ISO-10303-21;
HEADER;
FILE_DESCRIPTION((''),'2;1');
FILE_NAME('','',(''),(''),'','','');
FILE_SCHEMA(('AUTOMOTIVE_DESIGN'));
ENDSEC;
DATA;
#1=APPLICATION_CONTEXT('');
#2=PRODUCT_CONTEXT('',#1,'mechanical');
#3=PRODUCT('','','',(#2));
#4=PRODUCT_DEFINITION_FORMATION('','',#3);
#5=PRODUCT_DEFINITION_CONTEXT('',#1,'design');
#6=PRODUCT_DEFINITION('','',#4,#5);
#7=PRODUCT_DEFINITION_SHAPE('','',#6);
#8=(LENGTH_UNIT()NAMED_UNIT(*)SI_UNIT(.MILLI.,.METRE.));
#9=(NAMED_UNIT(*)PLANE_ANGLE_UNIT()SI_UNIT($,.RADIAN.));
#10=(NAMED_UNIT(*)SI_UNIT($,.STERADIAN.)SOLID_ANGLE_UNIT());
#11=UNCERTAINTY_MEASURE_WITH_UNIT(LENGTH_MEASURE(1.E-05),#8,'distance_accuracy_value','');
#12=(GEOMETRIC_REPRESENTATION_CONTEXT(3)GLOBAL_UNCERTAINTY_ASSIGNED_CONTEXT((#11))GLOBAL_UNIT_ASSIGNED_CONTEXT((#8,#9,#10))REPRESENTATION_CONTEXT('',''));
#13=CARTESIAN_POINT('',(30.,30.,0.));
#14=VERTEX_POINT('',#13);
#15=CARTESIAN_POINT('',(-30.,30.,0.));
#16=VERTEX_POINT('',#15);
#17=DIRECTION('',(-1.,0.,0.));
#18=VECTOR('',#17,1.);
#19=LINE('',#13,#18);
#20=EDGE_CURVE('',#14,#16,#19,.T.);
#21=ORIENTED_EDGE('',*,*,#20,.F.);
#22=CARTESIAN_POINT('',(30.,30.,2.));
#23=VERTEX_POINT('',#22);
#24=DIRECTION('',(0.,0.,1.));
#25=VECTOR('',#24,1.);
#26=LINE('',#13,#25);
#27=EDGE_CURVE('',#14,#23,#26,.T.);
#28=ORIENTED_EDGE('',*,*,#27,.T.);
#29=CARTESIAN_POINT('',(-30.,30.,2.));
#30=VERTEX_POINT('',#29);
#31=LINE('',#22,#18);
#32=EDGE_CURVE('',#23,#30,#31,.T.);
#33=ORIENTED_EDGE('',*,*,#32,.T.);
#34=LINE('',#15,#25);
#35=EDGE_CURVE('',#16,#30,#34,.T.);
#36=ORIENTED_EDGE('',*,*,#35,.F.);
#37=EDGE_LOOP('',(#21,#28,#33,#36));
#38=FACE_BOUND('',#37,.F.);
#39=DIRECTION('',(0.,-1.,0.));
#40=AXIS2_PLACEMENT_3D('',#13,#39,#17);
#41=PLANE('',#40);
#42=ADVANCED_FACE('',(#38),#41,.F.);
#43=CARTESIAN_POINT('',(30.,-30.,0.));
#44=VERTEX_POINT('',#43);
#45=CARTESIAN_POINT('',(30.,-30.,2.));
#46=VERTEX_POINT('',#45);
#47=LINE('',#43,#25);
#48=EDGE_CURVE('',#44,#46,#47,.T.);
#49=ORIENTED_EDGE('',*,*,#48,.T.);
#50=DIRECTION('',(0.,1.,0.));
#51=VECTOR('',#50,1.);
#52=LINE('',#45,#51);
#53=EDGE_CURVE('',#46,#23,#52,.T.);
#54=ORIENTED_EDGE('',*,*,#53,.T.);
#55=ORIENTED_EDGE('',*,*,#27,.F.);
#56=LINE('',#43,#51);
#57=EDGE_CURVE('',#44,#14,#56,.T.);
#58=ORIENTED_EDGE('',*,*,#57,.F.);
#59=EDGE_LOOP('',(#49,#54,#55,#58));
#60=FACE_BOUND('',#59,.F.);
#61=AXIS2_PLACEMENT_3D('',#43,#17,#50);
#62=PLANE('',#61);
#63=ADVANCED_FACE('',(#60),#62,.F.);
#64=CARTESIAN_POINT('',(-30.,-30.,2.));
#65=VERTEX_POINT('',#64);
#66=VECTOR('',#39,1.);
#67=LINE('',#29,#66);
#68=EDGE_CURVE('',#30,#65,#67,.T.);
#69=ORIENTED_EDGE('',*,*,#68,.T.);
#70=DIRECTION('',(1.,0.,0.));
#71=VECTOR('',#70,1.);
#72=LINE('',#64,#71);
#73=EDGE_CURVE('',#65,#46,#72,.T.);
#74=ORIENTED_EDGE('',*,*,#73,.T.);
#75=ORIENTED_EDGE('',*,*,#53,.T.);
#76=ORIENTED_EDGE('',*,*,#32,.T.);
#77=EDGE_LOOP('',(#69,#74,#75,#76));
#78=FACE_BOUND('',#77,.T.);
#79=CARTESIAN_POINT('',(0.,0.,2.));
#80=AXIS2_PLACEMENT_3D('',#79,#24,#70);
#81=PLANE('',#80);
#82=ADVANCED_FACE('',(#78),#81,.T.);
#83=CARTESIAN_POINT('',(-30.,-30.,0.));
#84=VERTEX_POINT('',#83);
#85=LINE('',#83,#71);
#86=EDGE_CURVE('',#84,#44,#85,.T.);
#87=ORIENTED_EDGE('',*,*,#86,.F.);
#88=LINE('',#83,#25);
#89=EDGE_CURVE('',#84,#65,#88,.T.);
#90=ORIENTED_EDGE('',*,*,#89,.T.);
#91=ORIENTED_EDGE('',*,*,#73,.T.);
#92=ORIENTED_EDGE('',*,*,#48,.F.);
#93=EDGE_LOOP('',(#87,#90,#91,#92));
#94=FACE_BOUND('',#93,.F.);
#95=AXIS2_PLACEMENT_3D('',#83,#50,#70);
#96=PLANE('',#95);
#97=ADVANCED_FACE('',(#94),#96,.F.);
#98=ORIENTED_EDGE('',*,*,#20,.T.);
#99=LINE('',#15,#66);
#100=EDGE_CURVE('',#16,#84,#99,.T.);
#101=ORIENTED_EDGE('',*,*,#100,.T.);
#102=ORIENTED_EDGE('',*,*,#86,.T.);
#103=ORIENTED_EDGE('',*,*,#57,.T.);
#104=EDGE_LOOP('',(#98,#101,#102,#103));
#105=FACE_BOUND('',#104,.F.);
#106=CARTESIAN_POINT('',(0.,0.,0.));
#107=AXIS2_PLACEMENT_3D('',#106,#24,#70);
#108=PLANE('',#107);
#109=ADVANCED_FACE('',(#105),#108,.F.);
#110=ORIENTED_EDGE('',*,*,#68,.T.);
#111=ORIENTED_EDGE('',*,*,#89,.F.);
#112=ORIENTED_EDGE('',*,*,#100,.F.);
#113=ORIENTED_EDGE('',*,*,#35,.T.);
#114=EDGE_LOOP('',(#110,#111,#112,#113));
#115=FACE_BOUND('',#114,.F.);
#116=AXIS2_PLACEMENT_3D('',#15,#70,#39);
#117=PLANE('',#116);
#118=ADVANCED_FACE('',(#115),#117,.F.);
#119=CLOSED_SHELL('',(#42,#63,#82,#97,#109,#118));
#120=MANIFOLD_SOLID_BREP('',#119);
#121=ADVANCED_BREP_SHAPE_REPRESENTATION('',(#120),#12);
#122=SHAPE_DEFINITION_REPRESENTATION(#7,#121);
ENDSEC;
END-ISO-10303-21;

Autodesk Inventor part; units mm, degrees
ref_plane "YZ Plane" through (0, 0, 0) normal (1, 0, 0) x (0, 1, 0)
ref_plane "XZ Plane" through (0, 0, 0) normal (0, 1, 0) x (-1, 0, 0)
ref_plane "XY Plane" through (0, 0, 0) normal (0, 0, 1) x (1, 0, 0)
sketch "Skizze1" plane through (0, 0, 0) normal (0, 0, 1) x (1, 0, 0)
  line L0 (-30, -30) -> (30, -30)
  line L1 (30, -30) -> (30, 30)
  line L2 (30, 30) -> (-30, 30)
  line L3 (-30, 30) -> (-30, -30)
  line L4 (-30, -30) -> (30, 30) construction
  line L5 (30, -30) -> (-30, 30) construction
  point P0 (0, 0)
  dimension "d0" = 60
  dimension "d1" = 60
extrude "Extrusion1" add sketch "Skizze1" along normal blind 2
properties part number "Mainboard"
